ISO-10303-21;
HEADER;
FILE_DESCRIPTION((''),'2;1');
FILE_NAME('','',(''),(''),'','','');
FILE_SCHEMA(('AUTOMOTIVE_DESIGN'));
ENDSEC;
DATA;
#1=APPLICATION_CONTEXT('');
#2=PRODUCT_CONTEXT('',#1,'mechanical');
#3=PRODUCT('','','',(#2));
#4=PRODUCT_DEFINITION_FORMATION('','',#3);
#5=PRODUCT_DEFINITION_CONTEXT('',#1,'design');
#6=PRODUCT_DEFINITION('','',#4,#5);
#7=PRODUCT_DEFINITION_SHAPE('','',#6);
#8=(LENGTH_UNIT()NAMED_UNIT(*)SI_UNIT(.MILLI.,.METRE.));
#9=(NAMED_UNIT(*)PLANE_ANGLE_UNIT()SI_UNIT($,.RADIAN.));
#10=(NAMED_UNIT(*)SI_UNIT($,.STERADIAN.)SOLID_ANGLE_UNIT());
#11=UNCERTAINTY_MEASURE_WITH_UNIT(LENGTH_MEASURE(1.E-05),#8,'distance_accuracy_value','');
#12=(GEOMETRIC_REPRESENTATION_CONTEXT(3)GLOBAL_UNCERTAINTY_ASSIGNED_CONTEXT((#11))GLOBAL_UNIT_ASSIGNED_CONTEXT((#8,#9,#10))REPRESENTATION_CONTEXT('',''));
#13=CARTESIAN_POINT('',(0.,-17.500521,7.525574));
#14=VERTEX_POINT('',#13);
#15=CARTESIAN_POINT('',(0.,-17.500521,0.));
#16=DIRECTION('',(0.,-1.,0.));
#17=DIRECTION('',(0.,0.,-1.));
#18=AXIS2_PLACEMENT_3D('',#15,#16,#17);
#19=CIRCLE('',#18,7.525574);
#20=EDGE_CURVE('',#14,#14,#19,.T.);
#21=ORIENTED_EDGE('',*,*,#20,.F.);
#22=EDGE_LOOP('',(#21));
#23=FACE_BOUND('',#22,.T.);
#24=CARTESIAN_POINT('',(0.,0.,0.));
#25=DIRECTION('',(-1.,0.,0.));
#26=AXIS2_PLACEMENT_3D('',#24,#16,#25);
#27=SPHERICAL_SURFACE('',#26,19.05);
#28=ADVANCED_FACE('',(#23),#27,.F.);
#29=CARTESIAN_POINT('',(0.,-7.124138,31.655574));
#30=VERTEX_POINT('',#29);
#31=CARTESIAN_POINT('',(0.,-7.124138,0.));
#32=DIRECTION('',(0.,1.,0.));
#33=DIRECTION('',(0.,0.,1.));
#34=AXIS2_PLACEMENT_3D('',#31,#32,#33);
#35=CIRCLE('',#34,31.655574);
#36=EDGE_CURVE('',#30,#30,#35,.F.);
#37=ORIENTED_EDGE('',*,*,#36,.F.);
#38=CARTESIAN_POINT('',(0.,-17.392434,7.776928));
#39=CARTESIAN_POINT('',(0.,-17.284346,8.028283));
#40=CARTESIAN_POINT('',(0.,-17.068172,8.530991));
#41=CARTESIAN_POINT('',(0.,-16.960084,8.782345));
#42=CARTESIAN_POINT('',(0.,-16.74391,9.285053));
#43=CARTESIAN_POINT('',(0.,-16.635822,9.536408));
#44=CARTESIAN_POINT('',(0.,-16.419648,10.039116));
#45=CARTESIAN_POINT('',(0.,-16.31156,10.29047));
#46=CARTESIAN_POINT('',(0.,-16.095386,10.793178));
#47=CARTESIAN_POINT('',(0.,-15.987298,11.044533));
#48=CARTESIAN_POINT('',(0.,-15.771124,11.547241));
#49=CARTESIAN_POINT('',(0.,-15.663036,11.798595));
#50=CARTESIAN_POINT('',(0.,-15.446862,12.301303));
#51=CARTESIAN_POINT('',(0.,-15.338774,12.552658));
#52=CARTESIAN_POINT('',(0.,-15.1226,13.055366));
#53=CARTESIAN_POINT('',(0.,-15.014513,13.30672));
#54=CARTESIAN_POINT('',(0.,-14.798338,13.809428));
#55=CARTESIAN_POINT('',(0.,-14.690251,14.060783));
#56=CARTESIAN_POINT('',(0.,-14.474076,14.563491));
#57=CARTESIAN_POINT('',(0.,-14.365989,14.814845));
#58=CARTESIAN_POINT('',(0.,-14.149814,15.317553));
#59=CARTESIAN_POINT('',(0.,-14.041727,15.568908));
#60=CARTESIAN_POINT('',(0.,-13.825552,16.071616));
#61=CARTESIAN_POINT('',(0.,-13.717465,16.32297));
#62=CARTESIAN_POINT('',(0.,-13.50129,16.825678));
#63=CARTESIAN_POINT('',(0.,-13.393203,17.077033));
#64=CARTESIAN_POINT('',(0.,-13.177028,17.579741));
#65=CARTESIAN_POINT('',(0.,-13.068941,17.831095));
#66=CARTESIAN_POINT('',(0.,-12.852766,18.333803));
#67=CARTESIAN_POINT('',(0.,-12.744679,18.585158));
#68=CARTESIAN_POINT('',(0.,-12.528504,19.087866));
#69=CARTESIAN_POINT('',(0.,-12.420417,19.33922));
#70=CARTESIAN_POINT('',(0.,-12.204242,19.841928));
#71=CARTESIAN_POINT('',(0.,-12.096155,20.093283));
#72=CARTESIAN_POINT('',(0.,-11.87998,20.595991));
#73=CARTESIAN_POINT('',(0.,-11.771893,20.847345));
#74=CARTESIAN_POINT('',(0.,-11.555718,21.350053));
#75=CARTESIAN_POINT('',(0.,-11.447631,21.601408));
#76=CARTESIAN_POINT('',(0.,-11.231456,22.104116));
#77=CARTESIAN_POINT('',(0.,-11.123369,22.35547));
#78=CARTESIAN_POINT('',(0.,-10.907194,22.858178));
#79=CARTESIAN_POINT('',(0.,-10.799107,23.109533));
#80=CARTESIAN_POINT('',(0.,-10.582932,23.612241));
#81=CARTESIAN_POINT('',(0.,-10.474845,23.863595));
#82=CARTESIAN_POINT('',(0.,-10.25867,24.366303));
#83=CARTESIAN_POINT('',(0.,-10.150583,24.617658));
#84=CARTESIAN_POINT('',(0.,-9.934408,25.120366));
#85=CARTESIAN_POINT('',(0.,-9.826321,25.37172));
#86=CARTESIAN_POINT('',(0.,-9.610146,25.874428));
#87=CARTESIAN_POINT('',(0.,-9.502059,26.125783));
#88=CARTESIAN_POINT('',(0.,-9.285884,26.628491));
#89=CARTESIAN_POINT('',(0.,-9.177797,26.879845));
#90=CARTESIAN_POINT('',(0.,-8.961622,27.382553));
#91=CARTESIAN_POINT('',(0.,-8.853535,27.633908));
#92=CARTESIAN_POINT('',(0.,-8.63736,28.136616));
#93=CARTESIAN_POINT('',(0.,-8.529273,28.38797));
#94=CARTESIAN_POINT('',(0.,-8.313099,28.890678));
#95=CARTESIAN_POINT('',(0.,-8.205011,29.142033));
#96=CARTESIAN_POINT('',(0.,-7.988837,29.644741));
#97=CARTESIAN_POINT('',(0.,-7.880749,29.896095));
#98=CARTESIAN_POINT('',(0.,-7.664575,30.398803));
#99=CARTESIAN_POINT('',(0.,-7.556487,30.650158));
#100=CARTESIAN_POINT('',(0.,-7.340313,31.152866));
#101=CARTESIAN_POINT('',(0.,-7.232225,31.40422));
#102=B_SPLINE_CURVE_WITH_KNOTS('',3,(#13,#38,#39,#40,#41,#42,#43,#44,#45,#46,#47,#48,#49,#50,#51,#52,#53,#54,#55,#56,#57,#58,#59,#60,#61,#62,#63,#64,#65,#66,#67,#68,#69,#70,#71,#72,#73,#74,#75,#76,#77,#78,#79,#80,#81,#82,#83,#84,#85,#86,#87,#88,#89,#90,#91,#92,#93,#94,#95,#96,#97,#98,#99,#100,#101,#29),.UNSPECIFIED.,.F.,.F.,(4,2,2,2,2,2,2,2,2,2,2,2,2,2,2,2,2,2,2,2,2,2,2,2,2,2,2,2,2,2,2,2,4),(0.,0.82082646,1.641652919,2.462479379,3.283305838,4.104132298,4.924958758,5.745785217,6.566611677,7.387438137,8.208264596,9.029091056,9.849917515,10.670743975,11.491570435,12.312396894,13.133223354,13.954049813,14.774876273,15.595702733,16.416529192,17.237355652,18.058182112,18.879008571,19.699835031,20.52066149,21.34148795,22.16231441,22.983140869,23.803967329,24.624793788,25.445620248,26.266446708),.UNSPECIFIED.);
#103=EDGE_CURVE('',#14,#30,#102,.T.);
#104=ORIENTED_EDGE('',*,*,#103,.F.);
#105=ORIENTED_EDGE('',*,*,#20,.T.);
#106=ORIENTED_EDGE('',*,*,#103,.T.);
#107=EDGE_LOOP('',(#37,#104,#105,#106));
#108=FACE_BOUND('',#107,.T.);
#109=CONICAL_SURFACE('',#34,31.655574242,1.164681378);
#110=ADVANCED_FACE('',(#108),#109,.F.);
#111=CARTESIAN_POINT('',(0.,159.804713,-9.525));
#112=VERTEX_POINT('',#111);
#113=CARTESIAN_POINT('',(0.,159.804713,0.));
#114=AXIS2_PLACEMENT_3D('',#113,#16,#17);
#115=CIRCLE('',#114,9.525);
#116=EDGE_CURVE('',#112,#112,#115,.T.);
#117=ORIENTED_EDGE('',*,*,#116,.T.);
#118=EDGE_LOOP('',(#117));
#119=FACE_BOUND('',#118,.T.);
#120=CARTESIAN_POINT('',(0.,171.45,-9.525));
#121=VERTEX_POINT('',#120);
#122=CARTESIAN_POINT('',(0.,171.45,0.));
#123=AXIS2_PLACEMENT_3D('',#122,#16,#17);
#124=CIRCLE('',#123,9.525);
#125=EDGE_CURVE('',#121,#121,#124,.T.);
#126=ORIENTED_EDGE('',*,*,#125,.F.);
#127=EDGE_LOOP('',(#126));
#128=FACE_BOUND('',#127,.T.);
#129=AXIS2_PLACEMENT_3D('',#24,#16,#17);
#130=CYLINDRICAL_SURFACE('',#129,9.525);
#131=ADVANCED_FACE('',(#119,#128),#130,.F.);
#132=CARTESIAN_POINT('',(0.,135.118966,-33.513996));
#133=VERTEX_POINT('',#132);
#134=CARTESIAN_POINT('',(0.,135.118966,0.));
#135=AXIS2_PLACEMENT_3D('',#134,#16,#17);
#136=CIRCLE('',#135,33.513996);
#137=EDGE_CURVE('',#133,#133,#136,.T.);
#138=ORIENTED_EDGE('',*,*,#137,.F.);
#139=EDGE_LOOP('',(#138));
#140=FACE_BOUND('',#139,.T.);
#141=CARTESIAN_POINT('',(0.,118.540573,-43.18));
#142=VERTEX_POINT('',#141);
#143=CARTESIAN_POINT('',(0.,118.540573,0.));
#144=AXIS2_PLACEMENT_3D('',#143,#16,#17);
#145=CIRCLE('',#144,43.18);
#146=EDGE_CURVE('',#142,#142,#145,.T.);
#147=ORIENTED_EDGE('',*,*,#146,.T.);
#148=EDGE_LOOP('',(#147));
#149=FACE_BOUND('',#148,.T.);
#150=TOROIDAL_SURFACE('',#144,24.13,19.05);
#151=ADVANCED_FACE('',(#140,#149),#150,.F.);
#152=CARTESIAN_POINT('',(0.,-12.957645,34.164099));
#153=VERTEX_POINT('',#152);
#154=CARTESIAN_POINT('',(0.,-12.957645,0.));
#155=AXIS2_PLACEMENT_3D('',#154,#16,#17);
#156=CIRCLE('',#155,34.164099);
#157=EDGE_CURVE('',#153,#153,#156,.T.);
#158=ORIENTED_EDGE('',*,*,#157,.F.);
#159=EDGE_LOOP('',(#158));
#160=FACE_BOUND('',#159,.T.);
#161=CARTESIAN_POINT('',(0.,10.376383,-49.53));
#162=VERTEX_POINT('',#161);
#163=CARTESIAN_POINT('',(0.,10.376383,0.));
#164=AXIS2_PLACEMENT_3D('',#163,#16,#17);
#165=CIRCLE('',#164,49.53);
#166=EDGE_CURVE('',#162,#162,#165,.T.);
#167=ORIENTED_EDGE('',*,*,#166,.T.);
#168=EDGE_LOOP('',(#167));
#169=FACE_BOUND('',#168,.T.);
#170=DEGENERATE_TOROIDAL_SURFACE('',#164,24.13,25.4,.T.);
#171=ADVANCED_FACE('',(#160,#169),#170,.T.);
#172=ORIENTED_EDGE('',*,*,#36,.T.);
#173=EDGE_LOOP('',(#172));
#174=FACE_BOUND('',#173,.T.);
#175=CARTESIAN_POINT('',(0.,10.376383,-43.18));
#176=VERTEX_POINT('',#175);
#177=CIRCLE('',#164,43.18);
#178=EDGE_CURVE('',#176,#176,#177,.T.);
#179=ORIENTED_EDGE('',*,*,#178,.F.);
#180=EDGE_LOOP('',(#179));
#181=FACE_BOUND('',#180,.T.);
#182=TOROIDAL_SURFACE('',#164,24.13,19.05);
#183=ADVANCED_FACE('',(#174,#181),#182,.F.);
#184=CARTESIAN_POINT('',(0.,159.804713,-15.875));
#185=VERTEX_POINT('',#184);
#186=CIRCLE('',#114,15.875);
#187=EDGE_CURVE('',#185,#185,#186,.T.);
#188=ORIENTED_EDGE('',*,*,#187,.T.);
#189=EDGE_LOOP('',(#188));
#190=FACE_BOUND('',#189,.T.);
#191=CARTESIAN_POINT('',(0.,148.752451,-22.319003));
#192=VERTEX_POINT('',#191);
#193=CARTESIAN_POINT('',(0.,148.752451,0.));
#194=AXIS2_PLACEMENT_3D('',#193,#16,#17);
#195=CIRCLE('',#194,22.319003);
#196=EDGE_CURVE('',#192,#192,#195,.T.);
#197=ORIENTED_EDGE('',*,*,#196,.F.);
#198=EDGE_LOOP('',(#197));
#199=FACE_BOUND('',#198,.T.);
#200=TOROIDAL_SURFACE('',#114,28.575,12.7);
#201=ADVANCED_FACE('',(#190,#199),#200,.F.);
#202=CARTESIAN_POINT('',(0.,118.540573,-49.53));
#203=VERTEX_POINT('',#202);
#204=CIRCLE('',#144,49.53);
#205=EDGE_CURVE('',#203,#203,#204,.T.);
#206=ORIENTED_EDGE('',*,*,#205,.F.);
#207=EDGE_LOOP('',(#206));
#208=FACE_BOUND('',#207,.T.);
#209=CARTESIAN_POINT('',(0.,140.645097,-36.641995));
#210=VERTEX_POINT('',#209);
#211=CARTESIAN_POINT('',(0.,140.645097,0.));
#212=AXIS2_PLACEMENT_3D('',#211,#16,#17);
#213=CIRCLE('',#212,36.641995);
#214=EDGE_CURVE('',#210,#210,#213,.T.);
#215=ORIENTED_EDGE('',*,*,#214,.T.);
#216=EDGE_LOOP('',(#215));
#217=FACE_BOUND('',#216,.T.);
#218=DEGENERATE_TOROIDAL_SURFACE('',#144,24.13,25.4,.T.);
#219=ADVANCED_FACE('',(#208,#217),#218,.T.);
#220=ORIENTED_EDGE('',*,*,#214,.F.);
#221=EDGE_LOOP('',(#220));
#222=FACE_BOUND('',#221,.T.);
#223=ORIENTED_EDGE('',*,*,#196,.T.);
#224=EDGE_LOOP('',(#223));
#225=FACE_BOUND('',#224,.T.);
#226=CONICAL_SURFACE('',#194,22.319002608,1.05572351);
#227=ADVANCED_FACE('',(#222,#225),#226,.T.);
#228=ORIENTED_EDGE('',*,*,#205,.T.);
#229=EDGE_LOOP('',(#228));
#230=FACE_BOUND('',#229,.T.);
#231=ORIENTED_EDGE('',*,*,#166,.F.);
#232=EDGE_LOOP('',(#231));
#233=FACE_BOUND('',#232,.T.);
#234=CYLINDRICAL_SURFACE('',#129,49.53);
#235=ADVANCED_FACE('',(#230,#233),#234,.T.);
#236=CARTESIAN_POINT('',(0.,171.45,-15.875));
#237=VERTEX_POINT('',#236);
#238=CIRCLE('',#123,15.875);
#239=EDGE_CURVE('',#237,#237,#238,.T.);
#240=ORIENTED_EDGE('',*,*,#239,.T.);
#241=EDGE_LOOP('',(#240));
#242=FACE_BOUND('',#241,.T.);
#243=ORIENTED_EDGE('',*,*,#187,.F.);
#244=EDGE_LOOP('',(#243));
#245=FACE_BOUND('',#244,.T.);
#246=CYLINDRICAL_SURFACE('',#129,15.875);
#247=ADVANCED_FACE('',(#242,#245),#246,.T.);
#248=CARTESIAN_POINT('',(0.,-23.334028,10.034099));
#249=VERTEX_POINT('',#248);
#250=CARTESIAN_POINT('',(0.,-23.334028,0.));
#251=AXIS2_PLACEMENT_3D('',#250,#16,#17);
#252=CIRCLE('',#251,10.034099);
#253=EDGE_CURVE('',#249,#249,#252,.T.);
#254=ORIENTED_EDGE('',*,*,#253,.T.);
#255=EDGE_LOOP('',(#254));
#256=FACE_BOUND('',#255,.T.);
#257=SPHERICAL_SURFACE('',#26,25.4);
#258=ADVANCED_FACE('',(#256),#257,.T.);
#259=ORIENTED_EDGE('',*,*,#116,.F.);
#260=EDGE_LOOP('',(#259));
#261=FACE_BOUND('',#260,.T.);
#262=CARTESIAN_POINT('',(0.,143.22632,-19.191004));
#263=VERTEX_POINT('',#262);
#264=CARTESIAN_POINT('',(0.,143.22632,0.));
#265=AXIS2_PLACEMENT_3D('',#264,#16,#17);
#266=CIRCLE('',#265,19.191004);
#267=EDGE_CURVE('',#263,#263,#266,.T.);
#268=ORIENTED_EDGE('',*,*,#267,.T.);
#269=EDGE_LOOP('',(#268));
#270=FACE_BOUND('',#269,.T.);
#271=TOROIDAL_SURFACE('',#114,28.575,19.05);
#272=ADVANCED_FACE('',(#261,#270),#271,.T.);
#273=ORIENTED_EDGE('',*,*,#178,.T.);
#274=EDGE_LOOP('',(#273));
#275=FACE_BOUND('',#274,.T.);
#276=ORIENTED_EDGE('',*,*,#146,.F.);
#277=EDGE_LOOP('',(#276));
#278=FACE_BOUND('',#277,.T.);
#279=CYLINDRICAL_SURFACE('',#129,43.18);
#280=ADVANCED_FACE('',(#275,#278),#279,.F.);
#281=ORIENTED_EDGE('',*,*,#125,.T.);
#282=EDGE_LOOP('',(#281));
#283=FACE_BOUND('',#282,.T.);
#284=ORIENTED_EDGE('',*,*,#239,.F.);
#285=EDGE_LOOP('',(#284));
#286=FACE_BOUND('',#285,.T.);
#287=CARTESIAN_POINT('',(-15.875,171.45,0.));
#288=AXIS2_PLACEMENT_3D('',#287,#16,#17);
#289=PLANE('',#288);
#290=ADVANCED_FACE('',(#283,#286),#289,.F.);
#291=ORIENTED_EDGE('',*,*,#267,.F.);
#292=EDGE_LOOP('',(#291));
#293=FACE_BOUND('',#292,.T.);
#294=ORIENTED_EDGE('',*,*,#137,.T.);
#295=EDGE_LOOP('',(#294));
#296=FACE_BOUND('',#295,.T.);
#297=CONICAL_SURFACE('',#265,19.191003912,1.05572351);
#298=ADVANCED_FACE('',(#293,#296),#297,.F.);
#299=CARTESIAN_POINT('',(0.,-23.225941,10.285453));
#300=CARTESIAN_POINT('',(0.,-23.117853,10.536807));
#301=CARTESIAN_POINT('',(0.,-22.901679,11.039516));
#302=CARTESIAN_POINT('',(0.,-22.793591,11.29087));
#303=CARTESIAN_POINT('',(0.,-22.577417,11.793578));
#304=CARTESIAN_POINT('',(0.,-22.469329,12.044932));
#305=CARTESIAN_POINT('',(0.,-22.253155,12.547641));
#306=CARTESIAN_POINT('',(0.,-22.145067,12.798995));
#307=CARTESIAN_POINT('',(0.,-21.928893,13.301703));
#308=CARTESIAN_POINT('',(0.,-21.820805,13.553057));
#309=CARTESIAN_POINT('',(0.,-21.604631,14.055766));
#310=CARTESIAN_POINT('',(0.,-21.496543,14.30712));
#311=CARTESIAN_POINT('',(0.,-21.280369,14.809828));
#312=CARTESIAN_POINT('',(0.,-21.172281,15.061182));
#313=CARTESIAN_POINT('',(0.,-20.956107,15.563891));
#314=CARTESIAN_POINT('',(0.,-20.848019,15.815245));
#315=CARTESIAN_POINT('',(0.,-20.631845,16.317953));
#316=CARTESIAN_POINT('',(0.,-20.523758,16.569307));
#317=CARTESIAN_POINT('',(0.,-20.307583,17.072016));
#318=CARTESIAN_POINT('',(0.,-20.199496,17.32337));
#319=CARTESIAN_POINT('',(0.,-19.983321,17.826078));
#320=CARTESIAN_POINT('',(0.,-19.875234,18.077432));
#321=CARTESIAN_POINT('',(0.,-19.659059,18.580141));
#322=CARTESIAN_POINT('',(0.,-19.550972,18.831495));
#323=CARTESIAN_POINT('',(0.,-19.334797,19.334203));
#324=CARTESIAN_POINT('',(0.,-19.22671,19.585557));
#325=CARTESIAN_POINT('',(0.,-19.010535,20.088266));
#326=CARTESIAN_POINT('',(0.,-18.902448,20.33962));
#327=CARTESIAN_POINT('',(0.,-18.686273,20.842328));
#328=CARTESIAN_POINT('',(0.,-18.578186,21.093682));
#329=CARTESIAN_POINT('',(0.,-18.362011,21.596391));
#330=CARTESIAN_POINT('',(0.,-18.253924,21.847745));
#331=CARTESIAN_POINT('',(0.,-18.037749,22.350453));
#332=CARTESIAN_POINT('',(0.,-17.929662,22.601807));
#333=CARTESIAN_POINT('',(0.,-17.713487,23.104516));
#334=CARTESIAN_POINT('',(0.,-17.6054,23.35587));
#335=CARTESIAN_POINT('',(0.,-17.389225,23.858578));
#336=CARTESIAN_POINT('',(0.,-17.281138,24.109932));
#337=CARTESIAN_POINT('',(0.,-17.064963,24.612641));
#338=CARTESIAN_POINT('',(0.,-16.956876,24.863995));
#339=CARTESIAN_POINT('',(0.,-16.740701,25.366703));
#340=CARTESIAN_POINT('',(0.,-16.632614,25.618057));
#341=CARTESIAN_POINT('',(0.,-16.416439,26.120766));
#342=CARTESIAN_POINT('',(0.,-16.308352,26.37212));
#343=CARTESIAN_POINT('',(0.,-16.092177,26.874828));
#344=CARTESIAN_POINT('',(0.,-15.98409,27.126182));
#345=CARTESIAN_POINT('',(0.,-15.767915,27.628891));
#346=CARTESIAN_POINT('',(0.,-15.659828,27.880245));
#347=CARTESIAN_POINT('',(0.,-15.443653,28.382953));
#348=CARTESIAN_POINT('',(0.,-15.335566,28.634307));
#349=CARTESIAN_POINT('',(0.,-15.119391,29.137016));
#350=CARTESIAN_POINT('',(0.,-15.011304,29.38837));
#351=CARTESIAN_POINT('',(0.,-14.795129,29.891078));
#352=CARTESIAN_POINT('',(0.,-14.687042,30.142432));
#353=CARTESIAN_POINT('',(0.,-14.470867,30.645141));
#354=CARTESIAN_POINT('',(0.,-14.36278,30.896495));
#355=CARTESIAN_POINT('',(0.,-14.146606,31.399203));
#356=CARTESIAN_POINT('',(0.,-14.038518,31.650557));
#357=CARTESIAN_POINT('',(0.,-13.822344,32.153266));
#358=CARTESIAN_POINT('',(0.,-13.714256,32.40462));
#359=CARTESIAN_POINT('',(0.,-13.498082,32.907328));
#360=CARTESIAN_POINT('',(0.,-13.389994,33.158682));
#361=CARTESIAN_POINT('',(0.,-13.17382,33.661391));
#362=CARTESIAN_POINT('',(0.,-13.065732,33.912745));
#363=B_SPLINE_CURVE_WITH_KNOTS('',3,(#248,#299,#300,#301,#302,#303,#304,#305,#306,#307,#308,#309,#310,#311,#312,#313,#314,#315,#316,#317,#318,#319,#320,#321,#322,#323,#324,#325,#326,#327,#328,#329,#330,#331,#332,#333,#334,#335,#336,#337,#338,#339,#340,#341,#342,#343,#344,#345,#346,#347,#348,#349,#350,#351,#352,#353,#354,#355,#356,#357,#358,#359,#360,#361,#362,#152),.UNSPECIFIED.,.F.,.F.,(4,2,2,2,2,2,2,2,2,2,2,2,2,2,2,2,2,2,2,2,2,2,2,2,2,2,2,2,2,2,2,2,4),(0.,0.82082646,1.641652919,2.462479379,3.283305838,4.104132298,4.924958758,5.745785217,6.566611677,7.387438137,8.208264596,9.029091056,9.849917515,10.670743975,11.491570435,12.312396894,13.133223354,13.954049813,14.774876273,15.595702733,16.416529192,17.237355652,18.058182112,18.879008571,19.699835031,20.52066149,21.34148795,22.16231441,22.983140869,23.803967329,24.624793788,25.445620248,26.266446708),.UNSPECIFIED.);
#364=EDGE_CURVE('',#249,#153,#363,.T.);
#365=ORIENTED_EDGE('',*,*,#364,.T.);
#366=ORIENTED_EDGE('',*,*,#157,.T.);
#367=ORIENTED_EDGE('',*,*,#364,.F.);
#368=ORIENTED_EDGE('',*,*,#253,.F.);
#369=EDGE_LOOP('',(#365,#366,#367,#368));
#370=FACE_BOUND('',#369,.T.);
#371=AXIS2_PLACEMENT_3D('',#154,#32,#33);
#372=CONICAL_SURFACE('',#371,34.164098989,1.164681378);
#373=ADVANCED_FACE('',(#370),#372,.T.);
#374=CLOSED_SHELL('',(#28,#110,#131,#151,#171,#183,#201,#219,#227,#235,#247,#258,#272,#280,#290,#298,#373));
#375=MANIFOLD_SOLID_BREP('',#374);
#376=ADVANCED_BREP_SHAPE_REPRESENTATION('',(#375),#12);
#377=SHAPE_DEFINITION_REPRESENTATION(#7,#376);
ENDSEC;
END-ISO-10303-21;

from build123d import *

# Parameters (mm, degrees)
SHELL1_T = -6.35


with BuildPart() as part:
    # Sketch1 → Revolve1 (revolve)
    with BuildSketch(Plane.XY, mode=Mode.PRIVATE) as revolve1_sk:
        with BuildLine():
            Line((-10.034098989, -23.334027888), (-34.164098989, -12.957644961))
            ThreePointArc((-34.164098989, -12.957644961), (-45.343511193, -3.593117524), (-49.53, 10.376382927))
            Line((-49.53, 10.376382927), (-49.53, 118.540573173))
            ThreePointArc((-49.53, 118.540573173), (-46.072705707, 131.334230439), (-36.641994784, 140.645097292))
            Line((-36.641994784, 140.645097292), (-22.319002608, 148.752451354))
            ThreePointArc((-22.319002608, 148.752451354), (-17.603647146, 153.40788478), (-15.875, 159.804713413))
            Line((-15.875, 159.804713413), (-15.875, 171.45))
            Line((-15.875, 171.45), (0, 171.45))
            Line((0, 171.45), (0, -25.4))
            ThreePointArc((0, -25.4), (-5.122289119, -24.878146116), (-10.034098989, -23.334027888))
        make_face()
    revolve(revolve1_sk.sketch.rotate(Axis((0, 0, 0), (0, 1, 0)), 270), axis=Axis((0, 0, 0), (0, 1, 0)))

    # Shell1
    shell1_openings = [part.faces().sort_by_distance(p)[0] for p in [
        (0, 171.45, 0),
    ]]
    offset(amount=SHELL1_T, openings=shell1_openings, kind=Kind.INTERSECTION)


solid = part.part
